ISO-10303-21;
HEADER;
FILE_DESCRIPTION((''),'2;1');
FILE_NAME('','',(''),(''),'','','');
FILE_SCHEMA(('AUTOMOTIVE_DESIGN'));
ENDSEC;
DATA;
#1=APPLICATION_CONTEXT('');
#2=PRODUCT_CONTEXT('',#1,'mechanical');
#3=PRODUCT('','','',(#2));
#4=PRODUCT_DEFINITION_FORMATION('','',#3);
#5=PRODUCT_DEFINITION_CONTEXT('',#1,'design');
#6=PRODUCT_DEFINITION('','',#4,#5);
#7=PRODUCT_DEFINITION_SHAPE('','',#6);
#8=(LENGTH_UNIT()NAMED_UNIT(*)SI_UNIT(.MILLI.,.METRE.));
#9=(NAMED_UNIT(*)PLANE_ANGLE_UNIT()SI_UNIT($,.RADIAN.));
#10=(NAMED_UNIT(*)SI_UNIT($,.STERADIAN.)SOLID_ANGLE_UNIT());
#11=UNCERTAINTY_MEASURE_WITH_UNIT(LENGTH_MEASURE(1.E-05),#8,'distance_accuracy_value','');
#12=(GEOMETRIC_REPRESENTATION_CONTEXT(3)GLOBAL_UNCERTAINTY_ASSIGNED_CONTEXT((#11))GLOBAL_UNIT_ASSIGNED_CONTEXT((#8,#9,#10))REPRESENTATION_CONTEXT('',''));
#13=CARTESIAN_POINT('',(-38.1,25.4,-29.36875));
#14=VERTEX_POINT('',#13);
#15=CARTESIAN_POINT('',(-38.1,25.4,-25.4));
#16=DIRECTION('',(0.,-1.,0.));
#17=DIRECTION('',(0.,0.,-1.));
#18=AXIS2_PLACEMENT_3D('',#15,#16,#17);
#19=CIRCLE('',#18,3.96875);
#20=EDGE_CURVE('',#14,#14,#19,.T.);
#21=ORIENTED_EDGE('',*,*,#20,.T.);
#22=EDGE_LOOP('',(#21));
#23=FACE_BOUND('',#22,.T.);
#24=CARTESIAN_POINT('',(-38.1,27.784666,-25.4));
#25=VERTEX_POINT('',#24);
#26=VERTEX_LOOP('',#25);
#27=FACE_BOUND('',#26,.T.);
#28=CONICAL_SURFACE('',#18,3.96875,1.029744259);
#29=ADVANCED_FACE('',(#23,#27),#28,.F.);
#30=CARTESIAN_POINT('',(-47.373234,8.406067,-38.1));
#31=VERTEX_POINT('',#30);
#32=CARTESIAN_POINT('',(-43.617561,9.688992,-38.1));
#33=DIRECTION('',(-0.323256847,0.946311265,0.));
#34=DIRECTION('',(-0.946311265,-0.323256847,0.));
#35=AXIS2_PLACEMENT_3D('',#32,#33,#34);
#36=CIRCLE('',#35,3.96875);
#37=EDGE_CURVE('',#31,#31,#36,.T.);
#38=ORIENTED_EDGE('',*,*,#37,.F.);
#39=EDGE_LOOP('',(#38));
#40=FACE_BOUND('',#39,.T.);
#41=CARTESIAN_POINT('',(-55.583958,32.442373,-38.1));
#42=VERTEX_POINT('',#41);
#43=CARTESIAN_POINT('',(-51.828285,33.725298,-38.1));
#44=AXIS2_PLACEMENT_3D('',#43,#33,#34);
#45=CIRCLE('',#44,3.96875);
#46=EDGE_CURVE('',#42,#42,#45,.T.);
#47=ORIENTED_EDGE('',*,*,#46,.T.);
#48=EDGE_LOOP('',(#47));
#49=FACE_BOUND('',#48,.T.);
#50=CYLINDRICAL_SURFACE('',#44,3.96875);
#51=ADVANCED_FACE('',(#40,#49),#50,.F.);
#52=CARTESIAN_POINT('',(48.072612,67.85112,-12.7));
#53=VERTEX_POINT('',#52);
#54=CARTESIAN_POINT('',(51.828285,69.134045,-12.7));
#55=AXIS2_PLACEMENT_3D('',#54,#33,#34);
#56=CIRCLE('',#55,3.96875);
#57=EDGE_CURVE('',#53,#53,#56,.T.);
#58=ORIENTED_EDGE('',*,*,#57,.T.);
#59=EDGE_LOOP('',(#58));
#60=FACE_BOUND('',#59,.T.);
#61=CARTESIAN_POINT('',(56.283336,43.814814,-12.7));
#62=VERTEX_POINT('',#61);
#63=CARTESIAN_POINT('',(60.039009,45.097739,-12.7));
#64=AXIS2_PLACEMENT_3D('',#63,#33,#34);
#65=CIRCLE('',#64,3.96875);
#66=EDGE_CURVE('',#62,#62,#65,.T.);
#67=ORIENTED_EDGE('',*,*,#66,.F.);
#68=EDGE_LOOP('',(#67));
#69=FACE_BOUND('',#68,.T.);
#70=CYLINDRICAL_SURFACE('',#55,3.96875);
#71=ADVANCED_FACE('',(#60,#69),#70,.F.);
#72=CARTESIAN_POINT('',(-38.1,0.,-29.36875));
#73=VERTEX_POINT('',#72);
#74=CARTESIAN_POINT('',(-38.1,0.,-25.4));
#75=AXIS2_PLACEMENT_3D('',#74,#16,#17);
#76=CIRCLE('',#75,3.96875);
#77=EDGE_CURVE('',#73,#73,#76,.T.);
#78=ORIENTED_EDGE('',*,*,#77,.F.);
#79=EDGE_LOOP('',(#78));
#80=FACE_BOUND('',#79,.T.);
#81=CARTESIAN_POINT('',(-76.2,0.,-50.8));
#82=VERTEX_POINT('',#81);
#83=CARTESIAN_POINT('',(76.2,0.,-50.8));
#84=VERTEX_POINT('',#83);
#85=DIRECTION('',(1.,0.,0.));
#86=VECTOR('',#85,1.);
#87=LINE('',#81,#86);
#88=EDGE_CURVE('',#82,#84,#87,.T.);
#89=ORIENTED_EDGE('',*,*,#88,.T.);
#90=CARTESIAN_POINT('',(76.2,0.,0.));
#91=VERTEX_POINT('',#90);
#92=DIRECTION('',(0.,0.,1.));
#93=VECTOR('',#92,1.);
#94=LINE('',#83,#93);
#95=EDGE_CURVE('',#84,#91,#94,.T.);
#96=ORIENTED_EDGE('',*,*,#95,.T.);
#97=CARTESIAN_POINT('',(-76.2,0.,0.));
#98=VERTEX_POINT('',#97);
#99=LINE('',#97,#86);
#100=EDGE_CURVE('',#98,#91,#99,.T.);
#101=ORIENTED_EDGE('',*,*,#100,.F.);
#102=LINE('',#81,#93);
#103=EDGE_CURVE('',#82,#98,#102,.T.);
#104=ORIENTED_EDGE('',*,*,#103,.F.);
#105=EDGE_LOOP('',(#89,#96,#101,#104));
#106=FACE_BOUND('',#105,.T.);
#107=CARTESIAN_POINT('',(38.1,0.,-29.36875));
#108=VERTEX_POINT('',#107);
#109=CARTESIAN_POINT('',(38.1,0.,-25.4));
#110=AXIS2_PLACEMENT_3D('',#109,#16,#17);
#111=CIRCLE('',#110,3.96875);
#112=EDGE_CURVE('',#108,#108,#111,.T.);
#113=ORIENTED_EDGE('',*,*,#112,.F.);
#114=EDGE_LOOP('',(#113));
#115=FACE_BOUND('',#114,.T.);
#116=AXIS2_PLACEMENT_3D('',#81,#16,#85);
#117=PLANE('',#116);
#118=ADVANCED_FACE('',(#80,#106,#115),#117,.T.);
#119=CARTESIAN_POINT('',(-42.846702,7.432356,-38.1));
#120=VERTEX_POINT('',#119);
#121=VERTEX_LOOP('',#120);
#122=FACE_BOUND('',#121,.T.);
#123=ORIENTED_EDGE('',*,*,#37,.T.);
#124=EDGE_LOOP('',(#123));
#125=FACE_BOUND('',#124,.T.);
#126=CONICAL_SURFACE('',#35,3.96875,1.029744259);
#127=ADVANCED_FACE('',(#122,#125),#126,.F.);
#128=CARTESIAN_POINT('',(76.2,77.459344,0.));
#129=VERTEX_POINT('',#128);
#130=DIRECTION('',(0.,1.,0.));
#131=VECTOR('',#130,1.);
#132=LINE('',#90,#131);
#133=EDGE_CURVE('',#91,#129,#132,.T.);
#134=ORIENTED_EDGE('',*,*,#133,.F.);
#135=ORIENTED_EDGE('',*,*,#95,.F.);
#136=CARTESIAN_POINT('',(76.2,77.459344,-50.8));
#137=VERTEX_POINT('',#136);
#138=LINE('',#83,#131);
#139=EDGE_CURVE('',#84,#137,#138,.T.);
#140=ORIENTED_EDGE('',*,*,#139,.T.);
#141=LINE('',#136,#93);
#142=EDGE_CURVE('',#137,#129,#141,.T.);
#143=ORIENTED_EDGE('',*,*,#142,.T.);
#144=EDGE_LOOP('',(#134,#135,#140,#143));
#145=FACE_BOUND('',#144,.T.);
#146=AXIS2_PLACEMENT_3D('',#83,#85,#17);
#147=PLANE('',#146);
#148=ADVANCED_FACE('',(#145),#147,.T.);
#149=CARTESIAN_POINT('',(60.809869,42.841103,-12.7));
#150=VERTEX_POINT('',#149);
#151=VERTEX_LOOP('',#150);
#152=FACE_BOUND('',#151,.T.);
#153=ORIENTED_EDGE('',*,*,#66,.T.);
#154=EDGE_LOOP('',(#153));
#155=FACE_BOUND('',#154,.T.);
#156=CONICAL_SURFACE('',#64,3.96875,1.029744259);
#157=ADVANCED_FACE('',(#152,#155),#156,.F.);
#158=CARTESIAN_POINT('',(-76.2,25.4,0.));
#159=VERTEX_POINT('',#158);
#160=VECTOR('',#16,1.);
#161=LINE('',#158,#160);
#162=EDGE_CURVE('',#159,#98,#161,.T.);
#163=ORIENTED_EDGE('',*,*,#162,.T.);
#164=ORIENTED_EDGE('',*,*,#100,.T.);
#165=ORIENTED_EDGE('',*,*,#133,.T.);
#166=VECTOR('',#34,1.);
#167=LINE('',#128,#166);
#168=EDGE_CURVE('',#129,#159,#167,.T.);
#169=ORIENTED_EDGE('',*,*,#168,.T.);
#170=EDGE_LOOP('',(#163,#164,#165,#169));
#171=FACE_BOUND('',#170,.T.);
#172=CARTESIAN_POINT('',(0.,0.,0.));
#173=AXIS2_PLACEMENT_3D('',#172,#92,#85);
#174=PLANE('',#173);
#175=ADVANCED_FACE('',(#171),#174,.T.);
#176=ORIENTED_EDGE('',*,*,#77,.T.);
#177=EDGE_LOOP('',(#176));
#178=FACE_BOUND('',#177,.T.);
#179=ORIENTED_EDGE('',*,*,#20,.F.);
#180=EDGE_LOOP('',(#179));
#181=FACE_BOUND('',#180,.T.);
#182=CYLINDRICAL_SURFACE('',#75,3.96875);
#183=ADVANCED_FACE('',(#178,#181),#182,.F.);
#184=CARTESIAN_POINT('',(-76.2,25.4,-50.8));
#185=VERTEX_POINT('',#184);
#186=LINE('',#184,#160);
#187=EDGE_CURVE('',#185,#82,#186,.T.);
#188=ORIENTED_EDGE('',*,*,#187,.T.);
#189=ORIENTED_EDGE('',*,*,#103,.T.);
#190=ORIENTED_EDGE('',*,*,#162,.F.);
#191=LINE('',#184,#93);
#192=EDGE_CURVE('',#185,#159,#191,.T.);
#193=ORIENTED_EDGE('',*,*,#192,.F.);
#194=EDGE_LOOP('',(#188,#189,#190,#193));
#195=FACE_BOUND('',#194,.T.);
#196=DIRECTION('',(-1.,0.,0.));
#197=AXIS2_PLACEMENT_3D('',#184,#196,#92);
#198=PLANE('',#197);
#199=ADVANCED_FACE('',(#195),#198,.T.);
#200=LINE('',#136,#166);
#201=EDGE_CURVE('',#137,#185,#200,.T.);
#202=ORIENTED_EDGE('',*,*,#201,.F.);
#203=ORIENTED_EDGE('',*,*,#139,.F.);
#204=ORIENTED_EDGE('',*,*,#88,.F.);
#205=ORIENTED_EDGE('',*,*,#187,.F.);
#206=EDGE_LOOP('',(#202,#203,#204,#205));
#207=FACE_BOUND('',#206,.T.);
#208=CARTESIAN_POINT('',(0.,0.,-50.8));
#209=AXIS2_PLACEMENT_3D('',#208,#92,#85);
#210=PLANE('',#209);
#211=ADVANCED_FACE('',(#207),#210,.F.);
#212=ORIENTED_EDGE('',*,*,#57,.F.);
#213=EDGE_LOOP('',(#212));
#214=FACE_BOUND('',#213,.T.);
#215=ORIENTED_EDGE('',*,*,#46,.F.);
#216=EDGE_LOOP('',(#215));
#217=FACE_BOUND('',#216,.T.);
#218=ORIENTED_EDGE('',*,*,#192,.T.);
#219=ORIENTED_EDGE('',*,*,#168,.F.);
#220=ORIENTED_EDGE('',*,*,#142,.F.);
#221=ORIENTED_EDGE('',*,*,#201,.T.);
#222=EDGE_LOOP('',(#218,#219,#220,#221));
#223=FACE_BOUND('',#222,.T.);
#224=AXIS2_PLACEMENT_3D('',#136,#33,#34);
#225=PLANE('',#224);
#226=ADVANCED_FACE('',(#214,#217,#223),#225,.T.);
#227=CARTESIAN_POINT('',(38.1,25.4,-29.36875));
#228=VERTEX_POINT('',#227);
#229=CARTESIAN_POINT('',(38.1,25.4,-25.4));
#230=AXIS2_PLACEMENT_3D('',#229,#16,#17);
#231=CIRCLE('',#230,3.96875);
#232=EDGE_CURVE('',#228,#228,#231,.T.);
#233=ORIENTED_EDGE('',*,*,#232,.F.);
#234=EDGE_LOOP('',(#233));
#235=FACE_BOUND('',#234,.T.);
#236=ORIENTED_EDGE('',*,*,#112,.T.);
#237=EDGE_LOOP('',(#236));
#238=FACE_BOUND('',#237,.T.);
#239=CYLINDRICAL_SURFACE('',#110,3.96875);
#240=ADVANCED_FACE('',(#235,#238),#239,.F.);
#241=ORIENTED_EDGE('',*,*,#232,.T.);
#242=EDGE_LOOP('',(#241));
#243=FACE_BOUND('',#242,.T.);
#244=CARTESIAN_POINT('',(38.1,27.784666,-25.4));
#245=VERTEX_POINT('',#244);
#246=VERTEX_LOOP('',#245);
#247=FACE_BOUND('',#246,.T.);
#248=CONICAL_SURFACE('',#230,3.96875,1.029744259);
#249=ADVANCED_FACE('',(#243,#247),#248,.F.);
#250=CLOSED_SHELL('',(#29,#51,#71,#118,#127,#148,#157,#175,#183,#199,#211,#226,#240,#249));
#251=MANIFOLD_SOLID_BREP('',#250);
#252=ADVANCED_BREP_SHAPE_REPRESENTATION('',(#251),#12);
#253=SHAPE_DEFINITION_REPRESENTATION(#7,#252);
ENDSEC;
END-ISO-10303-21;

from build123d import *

# Parameters (mm, degrees)
BOSS_EXTRUDE1_DEPTH         = 50.8
F_3_8_16_TAPPED_HOLE1_D     = 7.9375
F_3_8_16_TAPPED_HOLE1_DEPTH = 25.4
F_3_8_16_TAPPED_HOLE1_TIP   = 2.384665582
F_3_8_16_TAPPED_HOLE2_D     = 7.9375
F_3_8_16_TAPPED_HOLE2_DEPTH = 25.4
F_3_8_16_TAPPED_HOLE2_TIP   = 2.384665582


with BuildPart() as part:
    # Sketch1 → Boss-Extrude1 (new body)
    with BuildSketch(Plane.XY):
        Polygon((-76.2, 0), (76.2, 0), (76.2, 77.459343803), (-76.2, 25.4), align=None)
    extrude(amount=-BOSS_EXTRUDE1_DEPTH)

    # 3/8-16 Tapped Hole1
    with Locations(Plane(origin=(-15.732418717, 46.055528891, 0), x_dir=(0.946311265, 0.323256847, 0), z_dir=(-0.323256847, 0.946311265, 0))):
        with Locations((-38.143756412, 38.1), (71.393743588, 12.7)):
            Hole(F_3_8_16_TAPPED_HOLE1_D / 2, depth=F_3_8_16_TAPPED_HOLE1_DEPTH)
            with Locations((0, 0, -(F_3_8_16_TAPPED_HOLE1_DEPTH + F_3_8_16_TAPPED_HOLE1_TIP / 2))):  # 118° drill point
                Cone(0, F_3_8_16_TAPPED_HOLE1_D / 2, F_3_8_16_TAPPED_HOLE1_TIP, mode=Mode.SUBTRACT)

    # 3/8-16 Tapped Hole2
    with Locations(Plane(origin=(0, 0, 0), x_dir=(-1, 0, 0), z_dir=(0, -1, 0))):
        with Locations((38.1, 25.4), (-38.1, 25.4)):
            Hole(F_3_8_16_TAPPED_HOLE2_D / 2, depth=F_3_8_16_TAPPED_HOLE2_DEPTH)
            with Locations((0, 0, -(F_3_8_16_TAPPED_HOLE2_DEPTH + F_3_8_16_TAPPED_HOLE2_TIP / 2))):  # 118° drill point
                Cone(0, F_3_8_16_TAPPED_HOLE2_D / 2, F_3_8_16_TAPPED_HOLE2_TIP, mode=Mode.SUBTRACT)


solid = part.part
